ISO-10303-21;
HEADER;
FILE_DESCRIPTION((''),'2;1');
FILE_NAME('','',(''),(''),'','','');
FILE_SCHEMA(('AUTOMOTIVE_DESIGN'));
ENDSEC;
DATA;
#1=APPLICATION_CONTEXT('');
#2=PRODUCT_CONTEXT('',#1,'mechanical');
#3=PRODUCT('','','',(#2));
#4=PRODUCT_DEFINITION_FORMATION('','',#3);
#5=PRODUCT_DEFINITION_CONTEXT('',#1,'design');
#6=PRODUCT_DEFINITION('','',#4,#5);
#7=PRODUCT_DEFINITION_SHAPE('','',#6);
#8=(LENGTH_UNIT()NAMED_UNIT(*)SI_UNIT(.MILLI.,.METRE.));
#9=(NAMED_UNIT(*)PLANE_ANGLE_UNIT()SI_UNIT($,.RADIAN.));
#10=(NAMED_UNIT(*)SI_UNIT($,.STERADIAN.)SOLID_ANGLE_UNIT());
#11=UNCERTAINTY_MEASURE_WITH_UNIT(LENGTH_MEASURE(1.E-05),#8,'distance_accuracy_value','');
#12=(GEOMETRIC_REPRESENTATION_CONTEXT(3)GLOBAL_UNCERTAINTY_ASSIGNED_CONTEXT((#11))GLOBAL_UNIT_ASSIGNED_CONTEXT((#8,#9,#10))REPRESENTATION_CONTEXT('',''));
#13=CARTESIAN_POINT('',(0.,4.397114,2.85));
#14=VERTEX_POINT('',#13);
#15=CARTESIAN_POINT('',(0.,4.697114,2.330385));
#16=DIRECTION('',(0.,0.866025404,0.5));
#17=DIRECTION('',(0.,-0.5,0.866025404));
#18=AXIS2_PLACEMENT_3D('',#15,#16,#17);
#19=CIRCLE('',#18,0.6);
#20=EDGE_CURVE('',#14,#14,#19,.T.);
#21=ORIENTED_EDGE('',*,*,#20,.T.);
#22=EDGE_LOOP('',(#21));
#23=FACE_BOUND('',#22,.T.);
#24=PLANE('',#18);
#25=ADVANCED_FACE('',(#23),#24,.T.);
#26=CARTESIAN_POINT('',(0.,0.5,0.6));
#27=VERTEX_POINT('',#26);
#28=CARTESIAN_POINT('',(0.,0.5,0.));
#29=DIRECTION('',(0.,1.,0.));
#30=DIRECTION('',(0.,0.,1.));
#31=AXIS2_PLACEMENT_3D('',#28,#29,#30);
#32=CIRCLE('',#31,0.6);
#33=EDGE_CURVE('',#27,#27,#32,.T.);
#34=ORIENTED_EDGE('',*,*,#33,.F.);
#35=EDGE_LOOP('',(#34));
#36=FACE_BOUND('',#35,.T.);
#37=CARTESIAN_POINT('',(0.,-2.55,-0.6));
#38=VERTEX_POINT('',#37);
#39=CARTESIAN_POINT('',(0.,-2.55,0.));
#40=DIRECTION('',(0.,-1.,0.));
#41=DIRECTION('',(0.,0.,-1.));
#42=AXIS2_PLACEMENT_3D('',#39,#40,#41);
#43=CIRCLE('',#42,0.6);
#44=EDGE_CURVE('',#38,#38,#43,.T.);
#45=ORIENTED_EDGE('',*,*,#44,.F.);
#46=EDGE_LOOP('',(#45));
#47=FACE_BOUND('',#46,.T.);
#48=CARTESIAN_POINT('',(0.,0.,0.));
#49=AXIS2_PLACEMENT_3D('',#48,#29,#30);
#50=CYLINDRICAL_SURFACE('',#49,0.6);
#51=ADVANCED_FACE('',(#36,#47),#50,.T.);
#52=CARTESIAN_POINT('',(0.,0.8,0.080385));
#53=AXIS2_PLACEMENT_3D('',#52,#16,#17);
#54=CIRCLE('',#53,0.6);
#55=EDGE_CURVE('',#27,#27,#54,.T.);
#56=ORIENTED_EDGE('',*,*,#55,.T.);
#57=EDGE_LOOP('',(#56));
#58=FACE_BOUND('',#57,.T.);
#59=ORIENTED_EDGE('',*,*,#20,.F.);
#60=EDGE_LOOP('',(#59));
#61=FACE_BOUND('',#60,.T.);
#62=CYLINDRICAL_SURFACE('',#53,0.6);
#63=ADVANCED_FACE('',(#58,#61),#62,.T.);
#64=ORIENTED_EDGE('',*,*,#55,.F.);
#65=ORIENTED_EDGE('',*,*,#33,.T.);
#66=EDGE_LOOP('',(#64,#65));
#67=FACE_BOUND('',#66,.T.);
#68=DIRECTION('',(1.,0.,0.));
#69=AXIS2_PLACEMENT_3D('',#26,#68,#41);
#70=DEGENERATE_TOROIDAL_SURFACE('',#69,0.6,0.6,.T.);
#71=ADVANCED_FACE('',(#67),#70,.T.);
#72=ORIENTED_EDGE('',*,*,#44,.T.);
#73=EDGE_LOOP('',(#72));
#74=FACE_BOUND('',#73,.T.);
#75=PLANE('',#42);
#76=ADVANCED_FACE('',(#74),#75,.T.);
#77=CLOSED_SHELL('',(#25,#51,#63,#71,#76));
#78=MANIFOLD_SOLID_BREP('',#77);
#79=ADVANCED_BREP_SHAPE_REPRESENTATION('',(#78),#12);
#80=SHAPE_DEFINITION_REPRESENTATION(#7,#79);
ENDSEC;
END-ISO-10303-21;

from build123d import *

# Parameters (mm, degrees)
SKETCH23_R          = 0.6
SKETCH25_R          = 0.6
BOSS_EXTRUDE2_DEPTH = 2.55


with BuildPart() as part:
    # Sweep4: sweep along a path in Sketch24
    with BuildLine(Plane(origin=(0, 0, 0), x_dir=(0, 0, -1), z_dir=(1, 0, 0))) as sweep4_path:
        Line((0, 0), (0, 0.5))
        ThreePointArc((0, 0.5), (-0.020444504, 0.655291427), (-0.080384758, 0.8))
        Line((-0.080384758, 0.8), (-2.330384758, 4.697114317))
    # Sketch23 → Sweep4 (sweep)
    with BuildSketch(Plane(origin=(0, 0, 0), x_dir=(1, 0, 0), z_dir=(0, 1, 0))):
        Circle(SKETCH23_R)
    sweep(path=sweep4_path.line)

    # Sketch25 → Boss-Extrude2 (add)
    with BuildSketch(Plane(origin=(0, 0, 0), x_dir=(-1, 0, 0), z_dir=(0, -1, 0))):
        Circle(SKETCH25_R)
    extrude(amount=BOSS_EXTRUDE2_DEPTH)


solid = part.part
